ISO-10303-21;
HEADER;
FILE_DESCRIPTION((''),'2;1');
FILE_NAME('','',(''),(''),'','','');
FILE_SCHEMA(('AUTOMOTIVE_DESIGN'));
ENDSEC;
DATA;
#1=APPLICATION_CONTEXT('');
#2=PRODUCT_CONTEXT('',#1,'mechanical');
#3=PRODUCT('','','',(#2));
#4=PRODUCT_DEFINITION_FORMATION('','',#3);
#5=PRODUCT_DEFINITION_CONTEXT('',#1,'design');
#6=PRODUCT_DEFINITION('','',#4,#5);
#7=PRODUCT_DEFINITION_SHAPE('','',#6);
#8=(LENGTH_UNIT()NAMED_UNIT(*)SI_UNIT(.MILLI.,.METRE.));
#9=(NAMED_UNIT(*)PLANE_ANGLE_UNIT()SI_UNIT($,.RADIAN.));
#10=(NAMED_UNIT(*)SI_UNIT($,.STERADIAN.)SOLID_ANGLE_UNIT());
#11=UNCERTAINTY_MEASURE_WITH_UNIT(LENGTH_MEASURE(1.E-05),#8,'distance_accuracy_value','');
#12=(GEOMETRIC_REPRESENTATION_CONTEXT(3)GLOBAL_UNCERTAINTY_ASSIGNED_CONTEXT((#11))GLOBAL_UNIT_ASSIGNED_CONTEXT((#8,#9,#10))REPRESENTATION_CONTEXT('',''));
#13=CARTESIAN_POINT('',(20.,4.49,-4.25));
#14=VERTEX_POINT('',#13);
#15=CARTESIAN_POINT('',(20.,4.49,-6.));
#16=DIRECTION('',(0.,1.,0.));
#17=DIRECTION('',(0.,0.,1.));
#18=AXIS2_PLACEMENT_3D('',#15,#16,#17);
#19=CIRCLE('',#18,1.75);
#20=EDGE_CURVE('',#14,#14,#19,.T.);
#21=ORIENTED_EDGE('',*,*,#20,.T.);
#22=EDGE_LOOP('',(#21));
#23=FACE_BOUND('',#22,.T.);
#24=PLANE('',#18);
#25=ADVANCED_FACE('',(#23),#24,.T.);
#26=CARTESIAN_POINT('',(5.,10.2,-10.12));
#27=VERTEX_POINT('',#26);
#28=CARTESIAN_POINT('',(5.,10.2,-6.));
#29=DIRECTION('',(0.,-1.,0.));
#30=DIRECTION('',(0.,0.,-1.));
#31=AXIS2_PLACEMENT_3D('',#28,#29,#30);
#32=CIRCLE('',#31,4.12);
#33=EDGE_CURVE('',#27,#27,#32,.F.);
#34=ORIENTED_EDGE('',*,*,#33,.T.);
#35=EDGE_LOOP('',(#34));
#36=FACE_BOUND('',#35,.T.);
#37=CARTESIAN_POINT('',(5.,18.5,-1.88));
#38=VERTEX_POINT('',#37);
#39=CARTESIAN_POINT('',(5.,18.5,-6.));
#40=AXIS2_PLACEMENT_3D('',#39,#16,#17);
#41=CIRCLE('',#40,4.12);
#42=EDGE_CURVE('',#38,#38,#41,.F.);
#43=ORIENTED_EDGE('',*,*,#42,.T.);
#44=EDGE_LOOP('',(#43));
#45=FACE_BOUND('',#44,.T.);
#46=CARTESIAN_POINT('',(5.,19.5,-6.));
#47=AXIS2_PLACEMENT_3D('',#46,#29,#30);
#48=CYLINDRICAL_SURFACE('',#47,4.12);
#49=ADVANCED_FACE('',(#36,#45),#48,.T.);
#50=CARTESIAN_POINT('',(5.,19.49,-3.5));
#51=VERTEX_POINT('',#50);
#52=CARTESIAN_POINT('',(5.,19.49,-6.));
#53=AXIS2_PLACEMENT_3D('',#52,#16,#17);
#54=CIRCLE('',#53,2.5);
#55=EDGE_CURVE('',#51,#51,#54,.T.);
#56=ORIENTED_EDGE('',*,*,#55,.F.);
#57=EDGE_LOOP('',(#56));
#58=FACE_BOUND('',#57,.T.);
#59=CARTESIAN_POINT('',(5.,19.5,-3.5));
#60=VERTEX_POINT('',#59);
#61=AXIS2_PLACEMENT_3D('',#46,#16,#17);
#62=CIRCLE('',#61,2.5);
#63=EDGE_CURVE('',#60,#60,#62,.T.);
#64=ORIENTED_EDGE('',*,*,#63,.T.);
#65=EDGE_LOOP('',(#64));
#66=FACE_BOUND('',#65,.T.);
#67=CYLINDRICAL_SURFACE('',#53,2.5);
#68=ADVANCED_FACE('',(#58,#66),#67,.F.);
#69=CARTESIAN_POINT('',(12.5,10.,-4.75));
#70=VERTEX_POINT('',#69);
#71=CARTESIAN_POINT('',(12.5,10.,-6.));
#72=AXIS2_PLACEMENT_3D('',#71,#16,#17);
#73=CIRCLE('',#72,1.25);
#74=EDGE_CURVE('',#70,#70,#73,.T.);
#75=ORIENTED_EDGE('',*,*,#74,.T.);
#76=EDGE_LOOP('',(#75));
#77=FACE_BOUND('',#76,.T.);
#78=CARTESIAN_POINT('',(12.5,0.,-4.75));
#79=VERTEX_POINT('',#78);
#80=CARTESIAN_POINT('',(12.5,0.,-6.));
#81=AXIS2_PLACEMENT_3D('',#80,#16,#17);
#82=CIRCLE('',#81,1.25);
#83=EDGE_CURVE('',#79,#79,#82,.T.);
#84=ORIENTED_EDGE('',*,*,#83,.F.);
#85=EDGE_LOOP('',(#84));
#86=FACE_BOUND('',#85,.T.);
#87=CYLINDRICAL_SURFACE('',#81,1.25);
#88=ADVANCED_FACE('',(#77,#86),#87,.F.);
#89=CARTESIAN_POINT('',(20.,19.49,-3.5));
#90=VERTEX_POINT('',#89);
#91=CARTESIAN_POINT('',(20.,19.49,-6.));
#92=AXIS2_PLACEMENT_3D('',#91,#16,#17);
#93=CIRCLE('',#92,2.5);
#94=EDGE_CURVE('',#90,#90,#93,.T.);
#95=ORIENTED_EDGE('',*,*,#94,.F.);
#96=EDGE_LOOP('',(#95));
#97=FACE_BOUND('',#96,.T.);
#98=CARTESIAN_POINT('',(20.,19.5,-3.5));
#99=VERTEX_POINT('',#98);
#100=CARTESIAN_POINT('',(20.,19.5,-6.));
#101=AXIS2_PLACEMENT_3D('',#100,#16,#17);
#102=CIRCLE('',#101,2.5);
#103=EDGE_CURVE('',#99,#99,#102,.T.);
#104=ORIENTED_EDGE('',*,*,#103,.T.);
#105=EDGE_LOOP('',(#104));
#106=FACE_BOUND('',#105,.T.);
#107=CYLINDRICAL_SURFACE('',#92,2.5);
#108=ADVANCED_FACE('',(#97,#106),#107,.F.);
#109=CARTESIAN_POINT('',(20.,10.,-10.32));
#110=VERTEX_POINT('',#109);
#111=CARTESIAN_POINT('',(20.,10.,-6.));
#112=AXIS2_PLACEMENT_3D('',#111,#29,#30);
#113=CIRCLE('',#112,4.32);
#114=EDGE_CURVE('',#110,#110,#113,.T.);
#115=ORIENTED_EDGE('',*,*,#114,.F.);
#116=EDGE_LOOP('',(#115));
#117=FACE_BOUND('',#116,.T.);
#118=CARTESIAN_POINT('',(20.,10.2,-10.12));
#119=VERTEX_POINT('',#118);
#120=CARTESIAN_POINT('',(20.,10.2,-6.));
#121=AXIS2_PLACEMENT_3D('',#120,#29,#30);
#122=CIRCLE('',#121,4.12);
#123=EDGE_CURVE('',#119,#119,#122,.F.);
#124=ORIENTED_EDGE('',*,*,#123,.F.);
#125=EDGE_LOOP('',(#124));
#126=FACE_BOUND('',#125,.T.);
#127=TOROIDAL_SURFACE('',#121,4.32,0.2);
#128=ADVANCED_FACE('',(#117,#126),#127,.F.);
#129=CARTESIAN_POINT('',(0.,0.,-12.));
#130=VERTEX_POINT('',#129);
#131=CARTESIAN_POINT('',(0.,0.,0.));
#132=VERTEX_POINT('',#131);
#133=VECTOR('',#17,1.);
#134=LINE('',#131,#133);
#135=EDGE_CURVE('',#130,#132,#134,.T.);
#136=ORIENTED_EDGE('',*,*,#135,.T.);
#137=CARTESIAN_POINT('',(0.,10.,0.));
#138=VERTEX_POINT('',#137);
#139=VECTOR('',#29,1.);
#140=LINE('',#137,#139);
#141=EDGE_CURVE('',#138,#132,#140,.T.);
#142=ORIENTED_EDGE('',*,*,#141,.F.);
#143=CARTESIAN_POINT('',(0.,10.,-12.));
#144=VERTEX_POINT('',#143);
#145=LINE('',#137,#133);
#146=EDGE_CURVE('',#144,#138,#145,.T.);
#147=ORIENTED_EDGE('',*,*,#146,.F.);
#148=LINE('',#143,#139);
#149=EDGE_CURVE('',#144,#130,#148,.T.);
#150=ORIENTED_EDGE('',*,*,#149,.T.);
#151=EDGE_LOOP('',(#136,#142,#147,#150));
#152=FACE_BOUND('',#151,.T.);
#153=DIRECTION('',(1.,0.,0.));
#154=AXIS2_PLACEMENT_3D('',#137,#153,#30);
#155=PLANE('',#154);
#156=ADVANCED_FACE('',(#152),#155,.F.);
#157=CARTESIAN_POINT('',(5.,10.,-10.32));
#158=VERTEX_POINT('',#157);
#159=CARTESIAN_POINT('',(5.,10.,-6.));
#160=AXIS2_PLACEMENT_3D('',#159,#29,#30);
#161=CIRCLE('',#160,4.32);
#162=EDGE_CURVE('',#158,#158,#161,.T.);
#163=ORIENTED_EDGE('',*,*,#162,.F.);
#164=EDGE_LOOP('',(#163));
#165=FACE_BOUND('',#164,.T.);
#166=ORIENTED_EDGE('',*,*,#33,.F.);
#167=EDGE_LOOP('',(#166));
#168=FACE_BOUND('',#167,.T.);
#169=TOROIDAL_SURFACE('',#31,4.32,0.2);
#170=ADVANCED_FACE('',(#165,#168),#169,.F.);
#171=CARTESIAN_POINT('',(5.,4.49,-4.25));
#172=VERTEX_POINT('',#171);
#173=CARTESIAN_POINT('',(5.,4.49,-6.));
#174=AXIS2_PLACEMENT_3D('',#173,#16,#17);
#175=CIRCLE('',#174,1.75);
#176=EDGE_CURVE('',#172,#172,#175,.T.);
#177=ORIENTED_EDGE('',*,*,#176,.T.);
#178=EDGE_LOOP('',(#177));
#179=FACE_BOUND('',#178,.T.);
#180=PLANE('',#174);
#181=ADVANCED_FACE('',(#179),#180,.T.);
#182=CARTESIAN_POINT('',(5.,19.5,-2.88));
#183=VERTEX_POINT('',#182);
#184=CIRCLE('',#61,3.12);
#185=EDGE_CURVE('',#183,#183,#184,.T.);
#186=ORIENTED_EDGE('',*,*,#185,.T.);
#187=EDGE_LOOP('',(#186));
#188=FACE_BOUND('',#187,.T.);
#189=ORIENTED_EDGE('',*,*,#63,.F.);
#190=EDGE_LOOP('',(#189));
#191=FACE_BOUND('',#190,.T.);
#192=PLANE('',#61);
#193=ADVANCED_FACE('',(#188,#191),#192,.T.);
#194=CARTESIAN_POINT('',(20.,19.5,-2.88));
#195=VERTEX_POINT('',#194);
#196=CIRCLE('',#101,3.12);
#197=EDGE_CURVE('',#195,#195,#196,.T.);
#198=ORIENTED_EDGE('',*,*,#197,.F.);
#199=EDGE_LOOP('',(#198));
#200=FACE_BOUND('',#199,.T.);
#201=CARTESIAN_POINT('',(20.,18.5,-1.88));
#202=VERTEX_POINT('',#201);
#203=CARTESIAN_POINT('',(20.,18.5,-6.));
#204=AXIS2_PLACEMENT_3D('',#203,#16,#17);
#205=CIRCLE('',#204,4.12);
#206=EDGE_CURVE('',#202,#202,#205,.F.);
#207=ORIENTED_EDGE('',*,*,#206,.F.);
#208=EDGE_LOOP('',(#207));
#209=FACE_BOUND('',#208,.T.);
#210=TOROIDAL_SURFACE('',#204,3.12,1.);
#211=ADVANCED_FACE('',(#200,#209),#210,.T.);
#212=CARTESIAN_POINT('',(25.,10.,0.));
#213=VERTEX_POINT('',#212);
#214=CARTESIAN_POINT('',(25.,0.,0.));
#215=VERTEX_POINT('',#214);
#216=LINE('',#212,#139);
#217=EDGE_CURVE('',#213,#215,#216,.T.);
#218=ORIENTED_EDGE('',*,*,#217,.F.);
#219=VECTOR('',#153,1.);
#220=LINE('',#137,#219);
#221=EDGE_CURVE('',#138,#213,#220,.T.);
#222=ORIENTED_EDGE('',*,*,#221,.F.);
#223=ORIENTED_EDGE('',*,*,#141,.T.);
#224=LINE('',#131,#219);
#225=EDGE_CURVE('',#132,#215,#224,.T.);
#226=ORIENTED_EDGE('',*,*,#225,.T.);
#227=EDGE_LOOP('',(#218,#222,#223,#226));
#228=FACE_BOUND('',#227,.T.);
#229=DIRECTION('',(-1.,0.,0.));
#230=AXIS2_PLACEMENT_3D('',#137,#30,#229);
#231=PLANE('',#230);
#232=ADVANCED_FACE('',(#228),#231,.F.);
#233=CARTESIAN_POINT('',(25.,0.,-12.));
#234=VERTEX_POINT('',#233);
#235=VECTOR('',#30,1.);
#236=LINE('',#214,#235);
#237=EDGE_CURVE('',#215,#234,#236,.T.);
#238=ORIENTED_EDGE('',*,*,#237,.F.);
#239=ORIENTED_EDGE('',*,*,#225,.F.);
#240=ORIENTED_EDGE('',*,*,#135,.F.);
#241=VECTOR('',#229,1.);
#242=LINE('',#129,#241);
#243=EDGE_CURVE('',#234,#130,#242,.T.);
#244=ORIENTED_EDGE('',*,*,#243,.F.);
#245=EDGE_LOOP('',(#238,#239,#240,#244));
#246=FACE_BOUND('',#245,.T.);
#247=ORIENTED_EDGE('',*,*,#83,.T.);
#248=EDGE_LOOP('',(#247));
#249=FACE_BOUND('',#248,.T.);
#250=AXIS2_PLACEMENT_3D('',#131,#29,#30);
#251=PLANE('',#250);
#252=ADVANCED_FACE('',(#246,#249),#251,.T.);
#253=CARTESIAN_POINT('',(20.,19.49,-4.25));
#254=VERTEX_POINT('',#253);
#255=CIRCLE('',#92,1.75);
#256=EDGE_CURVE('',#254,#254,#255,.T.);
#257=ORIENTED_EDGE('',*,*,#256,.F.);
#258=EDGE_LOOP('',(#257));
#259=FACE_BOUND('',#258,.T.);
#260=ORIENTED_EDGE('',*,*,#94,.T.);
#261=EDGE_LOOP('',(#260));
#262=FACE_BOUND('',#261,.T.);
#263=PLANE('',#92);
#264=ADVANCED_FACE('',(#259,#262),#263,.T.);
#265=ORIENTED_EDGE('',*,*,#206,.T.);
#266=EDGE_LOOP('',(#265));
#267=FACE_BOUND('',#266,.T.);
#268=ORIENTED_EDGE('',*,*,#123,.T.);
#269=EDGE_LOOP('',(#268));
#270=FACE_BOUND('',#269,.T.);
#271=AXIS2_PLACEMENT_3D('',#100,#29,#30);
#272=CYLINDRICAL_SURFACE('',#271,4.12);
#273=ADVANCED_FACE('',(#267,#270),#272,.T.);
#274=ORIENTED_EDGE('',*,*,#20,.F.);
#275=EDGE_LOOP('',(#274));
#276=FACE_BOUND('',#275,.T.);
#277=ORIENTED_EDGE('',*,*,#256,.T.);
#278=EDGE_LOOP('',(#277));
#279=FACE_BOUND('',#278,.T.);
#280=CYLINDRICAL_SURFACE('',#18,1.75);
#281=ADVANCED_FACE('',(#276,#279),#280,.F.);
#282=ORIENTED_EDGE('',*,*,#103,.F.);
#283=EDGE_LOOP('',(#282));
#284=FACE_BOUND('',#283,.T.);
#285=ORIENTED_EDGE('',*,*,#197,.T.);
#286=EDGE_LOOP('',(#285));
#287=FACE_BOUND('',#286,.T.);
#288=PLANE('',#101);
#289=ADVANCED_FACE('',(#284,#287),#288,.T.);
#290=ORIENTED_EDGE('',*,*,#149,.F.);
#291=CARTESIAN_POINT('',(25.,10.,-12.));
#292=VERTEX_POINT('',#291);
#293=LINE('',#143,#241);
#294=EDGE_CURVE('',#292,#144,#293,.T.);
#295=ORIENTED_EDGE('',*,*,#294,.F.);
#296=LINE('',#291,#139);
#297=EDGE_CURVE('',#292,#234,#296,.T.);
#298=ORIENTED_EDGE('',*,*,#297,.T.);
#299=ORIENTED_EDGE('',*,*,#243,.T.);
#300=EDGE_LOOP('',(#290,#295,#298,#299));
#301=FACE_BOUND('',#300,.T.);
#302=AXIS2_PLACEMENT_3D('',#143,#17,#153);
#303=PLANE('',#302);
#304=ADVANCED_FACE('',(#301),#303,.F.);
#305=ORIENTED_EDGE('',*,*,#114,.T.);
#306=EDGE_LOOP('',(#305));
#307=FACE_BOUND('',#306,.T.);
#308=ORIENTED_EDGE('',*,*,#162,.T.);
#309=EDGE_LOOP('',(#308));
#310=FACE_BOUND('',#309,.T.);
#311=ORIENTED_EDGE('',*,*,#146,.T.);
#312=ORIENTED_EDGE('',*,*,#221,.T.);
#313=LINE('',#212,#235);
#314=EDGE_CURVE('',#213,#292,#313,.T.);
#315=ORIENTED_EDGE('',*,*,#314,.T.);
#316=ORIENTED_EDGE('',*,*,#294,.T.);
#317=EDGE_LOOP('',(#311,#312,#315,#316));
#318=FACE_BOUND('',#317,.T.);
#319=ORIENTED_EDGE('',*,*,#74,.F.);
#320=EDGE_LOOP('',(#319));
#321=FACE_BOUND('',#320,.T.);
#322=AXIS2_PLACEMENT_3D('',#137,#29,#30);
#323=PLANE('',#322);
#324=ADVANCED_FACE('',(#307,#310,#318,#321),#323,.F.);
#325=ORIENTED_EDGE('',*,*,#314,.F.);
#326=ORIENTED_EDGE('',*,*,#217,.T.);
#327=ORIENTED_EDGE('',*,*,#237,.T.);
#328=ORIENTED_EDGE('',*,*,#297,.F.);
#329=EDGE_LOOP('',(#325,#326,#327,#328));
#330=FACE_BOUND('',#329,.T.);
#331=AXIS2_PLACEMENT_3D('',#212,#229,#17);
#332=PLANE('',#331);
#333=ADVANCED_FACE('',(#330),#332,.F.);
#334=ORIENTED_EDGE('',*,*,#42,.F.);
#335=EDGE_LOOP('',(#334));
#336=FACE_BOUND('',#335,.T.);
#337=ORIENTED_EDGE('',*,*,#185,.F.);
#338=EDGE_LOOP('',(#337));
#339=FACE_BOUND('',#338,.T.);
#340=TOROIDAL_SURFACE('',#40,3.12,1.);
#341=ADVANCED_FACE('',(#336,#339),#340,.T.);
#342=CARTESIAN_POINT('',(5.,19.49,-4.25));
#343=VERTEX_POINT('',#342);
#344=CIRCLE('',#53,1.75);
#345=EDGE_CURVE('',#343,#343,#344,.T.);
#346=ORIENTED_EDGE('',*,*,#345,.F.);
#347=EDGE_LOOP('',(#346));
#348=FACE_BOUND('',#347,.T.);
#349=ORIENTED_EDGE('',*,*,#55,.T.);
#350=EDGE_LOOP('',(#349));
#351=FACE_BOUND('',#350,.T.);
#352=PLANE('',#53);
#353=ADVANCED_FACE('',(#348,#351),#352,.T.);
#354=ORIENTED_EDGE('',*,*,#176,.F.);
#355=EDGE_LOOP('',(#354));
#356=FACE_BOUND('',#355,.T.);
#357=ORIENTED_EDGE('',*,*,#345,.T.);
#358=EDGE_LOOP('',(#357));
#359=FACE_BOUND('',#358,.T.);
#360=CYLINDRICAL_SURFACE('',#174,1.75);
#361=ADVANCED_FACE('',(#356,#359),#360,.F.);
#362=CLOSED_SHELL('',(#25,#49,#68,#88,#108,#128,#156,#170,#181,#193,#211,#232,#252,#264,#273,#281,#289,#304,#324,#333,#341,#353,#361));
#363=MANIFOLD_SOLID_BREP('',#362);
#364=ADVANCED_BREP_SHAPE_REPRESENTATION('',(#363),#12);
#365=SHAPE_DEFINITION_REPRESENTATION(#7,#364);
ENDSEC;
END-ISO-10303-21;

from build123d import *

# Parameters (mm, degrees)
ESQUISSE1_W             = 25
ESQUISSE1_H             = 12
BOSS_EXTRU_1_DEPTH      = 10
ESQUISSE2_R             = 4.12
BOSS_EXTRU_2_DEPTH      = 9.5
ESQUISSE3_R             = 2.5
ENL_V_MAT_EXTRU_1_DEPTH = 0.01
ESQUISSE4_R             = 1.75
ENL_V_MAT_EXTRU_2_DEPTH = 15
ESQUISSE5_R             = 1.25
ENL_V_MAT_EXTRU_3_DEPTH = 11
CONG_1_R                = 1
CONG_2_R                = 0.2


with BuildPart() as part:
    # Esquisse1 → Boss.-Extru.1 (new body)
    with BuildSketch(Plane(origin=(0, 0, 0), x_dir=(1, 0, 0), z_dir=(0, 1, 0))):
        with Locations((12.5, 6)):
            Rectangle(ESQUISSE1_W, ESQUISSE1_H)
    extrude(amount=BOSS_EXTRU_1_DEPTH)

    # Esquisse2 → Boss.-Extru.2 (add)
    with BuildSketch(Plane(origin=(0, 10, 0), x_dir=(1, 0, 0), z_dir=(0, 1, 0))):
        with Locations((5, 6)):
            Circle(ESQUISSE2_R)
        with Locations((20, 6)):
            Circle(ESQUISSE2_R)
    extrude(amount=BOSS_EXTRU_2_DEPTH)

    # Esquisse3 → Enlèv. mat.-Extru.1 (cut)
    with BuildSketch(Plane(origin=(0, 19.5, 0), x_dir=(1, 0, 0), z_dir=(0, 1, 0))):
        with Locations((5, 6)):
            Circle(ESQUISSE3_R)
        with Locations((20, 6)):
            Circle(ESQUISSE3_R)
    extrude(amount=-ENL_V_MAT_EXTRU_1_DEPTH, mode=Mode.SUBTRACT)

    # Esquisse4 → Enlèv. mat.-Extru.2 (cut)
    with BuildSketch(Plane(origin=(0, 19.49, 0), x_dir=(1, 0, 0), z_dir=(0, 1, 0))):
        with Locations((5, 6)):
            Circle(ESQUISSE4_R)
        with Locations((20, 6)):
            Circle(ESQUISSE4_R)
    extrude(amount=-ENL_V_MAT_EXTRU_2_DEPTH, mode=Mode.SUBTRACT)

    # Esquisse5 → Enlèv. mat.-Extru.3 (cut, through all)
    with BuildSketch(Plane(origin=(0, 10, 0), x_dir=(1, 0, 0), z_dir=(0, 1, 0))):
        with Locations((12.5, 6)):
            Circle(ESQUISSE5_R)
    extrude(amount=-ENL_V_MAT_EXTRU_3_DEPTH, mode=Mode.SUBTRACT)

    # Congé1
    cong_1_edges = [part.edges().sort_by_distance(p)[0] for p in [
        (0.88, 19.5, -6),
        (15.88, 19.5, -6),
    ]]
    fillet(cong_1_edges, radius=CONG_1_R)

    # Congé2
    cong_2_edges = [part.edges().sort_by_distance(p)[0] for p in [
        (0.88, 10, -6),
        (15.88, 10, -6),
    ]]
    fillet(cong_2_edges, radius=CONG_2_R)


solid = part.part
